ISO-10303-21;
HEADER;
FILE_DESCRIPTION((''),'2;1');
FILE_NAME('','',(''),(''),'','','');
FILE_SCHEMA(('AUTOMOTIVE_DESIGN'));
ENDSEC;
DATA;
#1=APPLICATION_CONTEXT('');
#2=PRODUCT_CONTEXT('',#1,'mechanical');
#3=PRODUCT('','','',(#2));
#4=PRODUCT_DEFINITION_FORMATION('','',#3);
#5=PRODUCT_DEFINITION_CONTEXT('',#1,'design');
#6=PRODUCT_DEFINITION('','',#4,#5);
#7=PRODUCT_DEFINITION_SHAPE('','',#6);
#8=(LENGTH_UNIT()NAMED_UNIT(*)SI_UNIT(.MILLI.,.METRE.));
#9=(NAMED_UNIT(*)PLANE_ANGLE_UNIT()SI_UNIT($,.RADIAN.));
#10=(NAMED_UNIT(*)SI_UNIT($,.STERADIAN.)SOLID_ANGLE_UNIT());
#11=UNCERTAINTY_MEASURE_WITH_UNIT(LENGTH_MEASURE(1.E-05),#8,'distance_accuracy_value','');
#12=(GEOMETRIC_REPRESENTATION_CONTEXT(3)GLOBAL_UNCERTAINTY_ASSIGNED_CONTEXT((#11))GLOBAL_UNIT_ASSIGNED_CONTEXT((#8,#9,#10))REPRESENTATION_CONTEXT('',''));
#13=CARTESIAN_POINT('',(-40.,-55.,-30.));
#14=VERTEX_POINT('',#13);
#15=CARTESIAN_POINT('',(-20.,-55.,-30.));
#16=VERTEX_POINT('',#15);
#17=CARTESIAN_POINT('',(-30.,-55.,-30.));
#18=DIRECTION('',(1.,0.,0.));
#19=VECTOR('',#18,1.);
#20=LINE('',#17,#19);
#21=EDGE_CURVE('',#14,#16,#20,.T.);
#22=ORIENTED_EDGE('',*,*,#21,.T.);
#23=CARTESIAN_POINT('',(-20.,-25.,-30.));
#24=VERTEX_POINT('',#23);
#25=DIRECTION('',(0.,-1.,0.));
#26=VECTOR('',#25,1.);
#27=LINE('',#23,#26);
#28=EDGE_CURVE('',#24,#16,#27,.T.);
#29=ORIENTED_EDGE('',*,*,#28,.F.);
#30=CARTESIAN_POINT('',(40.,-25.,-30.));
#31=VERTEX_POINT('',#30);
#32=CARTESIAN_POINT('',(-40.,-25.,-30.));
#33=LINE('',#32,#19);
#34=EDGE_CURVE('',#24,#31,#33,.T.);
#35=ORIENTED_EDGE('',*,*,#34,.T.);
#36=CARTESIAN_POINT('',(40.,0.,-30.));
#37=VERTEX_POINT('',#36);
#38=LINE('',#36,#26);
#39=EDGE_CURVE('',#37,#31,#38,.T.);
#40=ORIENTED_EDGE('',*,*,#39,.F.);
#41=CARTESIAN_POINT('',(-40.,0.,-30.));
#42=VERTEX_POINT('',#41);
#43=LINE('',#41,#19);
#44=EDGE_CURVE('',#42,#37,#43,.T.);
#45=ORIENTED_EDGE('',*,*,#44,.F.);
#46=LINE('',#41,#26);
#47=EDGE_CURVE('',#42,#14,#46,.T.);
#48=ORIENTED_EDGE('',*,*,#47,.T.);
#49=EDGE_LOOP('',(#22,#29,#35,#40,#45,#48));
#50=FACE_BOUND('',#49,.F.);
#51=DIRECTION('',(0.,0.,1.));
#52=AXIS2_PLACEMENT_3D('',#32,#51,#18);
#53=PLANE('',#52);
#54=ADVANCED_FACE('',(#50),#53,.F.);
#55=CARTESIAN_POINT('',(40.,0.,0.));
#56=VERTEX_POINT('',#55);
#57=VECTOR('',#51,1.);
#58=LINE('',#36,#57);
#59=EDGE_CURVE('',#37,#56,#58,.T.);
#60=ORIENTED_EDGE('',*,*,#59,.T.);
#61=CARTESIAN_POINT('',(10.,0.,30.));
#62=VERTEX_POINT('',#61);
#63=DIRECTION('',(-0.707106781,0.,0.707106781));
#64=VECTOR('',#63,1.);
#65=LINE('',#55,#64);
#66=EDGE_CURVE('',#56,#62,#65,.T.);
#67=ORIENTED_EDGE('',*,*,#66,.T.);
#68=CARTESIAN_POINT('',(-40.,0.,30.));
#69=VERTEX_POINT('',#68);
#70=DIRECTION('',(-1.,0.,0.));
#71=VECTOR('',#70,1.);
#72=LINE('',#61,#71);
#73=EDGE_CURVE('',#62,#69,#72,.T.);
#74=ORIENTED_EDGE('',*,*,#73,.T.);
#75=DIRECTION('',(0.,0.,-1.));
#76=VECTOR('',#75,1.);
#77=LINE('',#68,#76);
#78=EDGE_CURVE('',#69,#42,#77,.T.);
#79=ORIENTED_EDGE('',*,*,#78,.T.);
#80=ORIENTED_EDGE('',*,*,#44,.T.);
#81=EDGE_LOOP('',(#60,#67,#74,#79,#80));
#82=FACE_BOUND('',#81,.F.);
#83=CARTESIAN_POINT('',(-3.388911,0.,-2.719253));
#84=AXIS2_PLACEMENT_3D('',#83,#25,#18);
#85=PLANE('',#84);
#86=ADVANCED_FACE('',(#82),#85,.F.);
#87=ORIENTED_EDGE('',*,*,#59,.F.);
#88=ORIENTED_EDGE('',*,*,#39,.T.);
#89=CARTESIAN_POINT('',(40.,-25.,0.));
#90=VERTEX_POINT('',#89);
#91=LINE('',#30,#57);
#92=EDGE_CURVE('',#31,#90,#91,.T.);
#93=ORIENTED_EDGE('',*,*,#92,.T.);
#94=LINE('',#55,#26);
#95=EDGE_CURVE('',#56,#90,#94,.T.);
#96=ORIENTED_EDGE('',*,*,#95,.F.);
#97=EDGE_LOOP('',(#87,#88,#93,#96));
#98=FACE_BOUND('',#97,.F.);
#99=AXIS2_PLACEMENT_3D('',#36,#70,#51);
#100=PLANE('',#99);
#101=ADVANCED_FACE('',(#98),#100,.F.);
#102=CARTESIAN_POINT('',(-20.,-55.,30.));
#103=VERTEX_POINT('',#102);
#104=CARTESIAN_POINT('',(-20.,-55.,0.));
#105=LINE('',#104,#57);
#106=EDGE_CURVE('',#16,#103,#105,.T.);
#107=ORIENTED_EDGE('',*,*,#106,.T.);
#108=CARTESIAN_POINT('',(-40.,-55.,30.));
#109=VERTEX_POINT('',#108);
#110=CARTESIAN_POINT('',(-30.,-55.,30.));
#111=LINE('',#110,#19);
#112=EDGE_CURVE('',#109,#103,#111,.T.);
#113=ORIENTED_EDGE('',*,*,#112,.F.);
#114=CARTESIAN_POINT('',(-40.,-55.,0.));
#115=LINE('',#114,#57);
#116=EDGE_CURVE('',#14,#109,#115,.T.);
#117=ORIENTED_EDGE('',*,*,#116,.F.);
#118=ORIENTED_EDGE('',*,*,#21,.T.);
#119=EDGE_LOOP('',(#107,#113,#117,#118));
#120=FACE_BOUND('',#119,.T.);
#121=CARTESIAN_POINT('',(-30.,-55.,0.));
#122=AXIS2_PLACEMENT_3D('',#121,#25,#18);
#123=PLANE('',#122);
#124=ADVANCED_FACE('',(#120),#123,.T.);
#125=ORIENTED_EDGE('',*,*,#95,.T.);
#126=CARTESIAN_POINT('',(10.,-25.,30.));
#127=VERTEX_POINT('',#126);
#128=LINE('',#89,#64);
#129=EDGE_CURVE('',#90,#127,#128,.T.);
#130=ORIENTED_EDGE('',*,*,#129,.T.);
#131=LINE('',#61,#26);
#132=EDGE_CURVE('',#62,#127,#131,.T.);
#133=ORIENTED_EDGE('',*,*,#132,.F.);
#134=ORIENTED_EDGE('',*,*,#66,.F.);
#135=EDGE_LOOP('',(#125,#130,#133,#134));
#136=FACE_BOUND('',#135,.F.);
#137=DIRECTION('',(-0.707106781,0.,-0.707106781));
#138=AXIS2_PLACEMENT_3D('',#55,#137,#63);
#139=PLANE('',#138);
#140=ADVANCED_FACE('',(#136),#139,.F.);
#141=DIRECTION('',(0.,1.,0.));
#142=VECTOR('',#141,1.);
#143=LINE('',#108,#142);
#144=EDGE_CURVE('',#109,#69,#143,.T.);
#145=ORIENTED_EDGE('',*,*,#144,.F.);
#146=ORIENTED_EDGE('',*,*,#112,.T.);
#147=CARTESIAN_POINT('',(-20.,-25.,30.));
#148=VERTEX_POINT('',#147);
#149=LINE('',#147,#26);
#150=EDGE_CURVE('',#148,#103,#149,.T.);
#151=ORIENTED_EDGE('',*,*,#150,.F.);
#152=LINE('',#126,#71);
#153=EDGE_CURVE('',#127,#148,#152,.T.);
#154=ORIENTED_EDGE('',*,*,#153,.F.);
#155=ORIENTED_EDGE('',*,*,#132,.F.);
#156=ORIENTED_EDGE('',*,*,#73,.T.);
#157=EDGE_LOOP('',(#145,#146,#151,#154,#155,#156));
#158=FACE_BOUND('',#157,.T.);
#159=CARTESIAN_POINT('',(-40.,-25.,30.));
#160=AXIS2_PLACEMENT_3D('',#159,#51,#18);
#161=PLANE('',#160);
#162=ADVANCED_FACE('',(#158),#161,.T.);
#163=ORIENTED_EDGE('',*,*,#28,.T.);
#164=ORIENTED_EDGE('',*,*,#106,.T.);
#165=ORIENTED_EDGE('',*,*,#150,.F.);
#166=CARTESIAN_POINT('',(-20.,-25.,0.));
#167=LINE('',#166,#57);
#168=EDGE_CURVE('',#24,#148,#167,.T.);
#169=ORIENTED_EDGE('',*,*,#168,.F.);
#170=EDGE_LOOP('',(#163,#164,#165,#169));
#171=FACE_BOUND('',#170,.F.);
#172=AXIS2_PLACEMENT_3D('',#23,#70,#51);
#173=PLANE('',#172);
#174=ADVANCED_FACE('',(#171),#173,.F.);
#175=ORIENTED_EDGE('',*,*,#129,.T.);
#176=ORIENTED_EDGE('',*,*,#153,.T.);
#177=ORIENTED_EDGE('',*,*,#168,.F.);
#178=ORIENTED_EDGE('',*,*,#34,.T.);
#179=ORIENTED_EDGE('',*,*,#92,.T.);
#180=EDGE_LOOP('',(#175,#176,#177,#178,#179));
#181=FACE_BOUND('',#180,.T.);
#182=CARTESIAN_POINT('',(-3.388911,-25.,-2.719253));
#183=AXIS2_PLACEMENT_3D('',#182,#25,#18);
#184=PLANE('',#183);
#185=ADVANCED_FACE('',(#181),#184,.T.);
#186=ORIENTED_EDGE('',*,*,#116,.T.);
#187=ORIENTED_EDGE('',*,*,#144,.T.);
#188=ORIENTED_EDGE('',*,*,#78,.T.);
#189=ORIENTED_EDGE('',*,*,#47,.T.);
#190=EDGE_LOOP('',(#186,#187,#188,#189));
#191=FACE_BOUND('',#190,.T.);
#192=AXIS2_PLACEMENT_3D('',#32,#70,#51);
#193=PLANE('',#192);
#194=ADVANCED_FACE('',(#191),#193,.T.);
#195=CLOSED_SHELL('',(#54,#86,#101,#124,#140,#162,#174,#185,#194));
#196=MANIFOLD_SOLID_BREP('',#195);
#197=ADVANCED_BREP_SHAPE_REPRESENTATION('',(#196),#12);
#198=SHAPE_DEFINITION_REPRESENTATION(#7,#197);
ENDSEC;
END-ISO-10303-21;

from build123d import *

# Parameters (mm, degrees)
F1_DEPTH = 25
F2_W     = 20
F2_H     = 60
F3_DEPTH = 30


with BuildPart() as f1:
    # F0 (on Front) → F1 (new body)
    with BuildSketch(Plane.XZ):
        Polygon((-40, 30), (-40, -30), (40, -30), (40, 0), (10, 30), align=None)
    extrude(amount=F1_DEPTH)

    # F2 (on face) → F3 (join)
    with BuildSketch(Plane.XZ.offset(25)):
        with Locations((-30, 0)):
            Rectangle(F2_W, F2_H)
    extrude(amount=F3_DEPTH)


solid = f1.part
